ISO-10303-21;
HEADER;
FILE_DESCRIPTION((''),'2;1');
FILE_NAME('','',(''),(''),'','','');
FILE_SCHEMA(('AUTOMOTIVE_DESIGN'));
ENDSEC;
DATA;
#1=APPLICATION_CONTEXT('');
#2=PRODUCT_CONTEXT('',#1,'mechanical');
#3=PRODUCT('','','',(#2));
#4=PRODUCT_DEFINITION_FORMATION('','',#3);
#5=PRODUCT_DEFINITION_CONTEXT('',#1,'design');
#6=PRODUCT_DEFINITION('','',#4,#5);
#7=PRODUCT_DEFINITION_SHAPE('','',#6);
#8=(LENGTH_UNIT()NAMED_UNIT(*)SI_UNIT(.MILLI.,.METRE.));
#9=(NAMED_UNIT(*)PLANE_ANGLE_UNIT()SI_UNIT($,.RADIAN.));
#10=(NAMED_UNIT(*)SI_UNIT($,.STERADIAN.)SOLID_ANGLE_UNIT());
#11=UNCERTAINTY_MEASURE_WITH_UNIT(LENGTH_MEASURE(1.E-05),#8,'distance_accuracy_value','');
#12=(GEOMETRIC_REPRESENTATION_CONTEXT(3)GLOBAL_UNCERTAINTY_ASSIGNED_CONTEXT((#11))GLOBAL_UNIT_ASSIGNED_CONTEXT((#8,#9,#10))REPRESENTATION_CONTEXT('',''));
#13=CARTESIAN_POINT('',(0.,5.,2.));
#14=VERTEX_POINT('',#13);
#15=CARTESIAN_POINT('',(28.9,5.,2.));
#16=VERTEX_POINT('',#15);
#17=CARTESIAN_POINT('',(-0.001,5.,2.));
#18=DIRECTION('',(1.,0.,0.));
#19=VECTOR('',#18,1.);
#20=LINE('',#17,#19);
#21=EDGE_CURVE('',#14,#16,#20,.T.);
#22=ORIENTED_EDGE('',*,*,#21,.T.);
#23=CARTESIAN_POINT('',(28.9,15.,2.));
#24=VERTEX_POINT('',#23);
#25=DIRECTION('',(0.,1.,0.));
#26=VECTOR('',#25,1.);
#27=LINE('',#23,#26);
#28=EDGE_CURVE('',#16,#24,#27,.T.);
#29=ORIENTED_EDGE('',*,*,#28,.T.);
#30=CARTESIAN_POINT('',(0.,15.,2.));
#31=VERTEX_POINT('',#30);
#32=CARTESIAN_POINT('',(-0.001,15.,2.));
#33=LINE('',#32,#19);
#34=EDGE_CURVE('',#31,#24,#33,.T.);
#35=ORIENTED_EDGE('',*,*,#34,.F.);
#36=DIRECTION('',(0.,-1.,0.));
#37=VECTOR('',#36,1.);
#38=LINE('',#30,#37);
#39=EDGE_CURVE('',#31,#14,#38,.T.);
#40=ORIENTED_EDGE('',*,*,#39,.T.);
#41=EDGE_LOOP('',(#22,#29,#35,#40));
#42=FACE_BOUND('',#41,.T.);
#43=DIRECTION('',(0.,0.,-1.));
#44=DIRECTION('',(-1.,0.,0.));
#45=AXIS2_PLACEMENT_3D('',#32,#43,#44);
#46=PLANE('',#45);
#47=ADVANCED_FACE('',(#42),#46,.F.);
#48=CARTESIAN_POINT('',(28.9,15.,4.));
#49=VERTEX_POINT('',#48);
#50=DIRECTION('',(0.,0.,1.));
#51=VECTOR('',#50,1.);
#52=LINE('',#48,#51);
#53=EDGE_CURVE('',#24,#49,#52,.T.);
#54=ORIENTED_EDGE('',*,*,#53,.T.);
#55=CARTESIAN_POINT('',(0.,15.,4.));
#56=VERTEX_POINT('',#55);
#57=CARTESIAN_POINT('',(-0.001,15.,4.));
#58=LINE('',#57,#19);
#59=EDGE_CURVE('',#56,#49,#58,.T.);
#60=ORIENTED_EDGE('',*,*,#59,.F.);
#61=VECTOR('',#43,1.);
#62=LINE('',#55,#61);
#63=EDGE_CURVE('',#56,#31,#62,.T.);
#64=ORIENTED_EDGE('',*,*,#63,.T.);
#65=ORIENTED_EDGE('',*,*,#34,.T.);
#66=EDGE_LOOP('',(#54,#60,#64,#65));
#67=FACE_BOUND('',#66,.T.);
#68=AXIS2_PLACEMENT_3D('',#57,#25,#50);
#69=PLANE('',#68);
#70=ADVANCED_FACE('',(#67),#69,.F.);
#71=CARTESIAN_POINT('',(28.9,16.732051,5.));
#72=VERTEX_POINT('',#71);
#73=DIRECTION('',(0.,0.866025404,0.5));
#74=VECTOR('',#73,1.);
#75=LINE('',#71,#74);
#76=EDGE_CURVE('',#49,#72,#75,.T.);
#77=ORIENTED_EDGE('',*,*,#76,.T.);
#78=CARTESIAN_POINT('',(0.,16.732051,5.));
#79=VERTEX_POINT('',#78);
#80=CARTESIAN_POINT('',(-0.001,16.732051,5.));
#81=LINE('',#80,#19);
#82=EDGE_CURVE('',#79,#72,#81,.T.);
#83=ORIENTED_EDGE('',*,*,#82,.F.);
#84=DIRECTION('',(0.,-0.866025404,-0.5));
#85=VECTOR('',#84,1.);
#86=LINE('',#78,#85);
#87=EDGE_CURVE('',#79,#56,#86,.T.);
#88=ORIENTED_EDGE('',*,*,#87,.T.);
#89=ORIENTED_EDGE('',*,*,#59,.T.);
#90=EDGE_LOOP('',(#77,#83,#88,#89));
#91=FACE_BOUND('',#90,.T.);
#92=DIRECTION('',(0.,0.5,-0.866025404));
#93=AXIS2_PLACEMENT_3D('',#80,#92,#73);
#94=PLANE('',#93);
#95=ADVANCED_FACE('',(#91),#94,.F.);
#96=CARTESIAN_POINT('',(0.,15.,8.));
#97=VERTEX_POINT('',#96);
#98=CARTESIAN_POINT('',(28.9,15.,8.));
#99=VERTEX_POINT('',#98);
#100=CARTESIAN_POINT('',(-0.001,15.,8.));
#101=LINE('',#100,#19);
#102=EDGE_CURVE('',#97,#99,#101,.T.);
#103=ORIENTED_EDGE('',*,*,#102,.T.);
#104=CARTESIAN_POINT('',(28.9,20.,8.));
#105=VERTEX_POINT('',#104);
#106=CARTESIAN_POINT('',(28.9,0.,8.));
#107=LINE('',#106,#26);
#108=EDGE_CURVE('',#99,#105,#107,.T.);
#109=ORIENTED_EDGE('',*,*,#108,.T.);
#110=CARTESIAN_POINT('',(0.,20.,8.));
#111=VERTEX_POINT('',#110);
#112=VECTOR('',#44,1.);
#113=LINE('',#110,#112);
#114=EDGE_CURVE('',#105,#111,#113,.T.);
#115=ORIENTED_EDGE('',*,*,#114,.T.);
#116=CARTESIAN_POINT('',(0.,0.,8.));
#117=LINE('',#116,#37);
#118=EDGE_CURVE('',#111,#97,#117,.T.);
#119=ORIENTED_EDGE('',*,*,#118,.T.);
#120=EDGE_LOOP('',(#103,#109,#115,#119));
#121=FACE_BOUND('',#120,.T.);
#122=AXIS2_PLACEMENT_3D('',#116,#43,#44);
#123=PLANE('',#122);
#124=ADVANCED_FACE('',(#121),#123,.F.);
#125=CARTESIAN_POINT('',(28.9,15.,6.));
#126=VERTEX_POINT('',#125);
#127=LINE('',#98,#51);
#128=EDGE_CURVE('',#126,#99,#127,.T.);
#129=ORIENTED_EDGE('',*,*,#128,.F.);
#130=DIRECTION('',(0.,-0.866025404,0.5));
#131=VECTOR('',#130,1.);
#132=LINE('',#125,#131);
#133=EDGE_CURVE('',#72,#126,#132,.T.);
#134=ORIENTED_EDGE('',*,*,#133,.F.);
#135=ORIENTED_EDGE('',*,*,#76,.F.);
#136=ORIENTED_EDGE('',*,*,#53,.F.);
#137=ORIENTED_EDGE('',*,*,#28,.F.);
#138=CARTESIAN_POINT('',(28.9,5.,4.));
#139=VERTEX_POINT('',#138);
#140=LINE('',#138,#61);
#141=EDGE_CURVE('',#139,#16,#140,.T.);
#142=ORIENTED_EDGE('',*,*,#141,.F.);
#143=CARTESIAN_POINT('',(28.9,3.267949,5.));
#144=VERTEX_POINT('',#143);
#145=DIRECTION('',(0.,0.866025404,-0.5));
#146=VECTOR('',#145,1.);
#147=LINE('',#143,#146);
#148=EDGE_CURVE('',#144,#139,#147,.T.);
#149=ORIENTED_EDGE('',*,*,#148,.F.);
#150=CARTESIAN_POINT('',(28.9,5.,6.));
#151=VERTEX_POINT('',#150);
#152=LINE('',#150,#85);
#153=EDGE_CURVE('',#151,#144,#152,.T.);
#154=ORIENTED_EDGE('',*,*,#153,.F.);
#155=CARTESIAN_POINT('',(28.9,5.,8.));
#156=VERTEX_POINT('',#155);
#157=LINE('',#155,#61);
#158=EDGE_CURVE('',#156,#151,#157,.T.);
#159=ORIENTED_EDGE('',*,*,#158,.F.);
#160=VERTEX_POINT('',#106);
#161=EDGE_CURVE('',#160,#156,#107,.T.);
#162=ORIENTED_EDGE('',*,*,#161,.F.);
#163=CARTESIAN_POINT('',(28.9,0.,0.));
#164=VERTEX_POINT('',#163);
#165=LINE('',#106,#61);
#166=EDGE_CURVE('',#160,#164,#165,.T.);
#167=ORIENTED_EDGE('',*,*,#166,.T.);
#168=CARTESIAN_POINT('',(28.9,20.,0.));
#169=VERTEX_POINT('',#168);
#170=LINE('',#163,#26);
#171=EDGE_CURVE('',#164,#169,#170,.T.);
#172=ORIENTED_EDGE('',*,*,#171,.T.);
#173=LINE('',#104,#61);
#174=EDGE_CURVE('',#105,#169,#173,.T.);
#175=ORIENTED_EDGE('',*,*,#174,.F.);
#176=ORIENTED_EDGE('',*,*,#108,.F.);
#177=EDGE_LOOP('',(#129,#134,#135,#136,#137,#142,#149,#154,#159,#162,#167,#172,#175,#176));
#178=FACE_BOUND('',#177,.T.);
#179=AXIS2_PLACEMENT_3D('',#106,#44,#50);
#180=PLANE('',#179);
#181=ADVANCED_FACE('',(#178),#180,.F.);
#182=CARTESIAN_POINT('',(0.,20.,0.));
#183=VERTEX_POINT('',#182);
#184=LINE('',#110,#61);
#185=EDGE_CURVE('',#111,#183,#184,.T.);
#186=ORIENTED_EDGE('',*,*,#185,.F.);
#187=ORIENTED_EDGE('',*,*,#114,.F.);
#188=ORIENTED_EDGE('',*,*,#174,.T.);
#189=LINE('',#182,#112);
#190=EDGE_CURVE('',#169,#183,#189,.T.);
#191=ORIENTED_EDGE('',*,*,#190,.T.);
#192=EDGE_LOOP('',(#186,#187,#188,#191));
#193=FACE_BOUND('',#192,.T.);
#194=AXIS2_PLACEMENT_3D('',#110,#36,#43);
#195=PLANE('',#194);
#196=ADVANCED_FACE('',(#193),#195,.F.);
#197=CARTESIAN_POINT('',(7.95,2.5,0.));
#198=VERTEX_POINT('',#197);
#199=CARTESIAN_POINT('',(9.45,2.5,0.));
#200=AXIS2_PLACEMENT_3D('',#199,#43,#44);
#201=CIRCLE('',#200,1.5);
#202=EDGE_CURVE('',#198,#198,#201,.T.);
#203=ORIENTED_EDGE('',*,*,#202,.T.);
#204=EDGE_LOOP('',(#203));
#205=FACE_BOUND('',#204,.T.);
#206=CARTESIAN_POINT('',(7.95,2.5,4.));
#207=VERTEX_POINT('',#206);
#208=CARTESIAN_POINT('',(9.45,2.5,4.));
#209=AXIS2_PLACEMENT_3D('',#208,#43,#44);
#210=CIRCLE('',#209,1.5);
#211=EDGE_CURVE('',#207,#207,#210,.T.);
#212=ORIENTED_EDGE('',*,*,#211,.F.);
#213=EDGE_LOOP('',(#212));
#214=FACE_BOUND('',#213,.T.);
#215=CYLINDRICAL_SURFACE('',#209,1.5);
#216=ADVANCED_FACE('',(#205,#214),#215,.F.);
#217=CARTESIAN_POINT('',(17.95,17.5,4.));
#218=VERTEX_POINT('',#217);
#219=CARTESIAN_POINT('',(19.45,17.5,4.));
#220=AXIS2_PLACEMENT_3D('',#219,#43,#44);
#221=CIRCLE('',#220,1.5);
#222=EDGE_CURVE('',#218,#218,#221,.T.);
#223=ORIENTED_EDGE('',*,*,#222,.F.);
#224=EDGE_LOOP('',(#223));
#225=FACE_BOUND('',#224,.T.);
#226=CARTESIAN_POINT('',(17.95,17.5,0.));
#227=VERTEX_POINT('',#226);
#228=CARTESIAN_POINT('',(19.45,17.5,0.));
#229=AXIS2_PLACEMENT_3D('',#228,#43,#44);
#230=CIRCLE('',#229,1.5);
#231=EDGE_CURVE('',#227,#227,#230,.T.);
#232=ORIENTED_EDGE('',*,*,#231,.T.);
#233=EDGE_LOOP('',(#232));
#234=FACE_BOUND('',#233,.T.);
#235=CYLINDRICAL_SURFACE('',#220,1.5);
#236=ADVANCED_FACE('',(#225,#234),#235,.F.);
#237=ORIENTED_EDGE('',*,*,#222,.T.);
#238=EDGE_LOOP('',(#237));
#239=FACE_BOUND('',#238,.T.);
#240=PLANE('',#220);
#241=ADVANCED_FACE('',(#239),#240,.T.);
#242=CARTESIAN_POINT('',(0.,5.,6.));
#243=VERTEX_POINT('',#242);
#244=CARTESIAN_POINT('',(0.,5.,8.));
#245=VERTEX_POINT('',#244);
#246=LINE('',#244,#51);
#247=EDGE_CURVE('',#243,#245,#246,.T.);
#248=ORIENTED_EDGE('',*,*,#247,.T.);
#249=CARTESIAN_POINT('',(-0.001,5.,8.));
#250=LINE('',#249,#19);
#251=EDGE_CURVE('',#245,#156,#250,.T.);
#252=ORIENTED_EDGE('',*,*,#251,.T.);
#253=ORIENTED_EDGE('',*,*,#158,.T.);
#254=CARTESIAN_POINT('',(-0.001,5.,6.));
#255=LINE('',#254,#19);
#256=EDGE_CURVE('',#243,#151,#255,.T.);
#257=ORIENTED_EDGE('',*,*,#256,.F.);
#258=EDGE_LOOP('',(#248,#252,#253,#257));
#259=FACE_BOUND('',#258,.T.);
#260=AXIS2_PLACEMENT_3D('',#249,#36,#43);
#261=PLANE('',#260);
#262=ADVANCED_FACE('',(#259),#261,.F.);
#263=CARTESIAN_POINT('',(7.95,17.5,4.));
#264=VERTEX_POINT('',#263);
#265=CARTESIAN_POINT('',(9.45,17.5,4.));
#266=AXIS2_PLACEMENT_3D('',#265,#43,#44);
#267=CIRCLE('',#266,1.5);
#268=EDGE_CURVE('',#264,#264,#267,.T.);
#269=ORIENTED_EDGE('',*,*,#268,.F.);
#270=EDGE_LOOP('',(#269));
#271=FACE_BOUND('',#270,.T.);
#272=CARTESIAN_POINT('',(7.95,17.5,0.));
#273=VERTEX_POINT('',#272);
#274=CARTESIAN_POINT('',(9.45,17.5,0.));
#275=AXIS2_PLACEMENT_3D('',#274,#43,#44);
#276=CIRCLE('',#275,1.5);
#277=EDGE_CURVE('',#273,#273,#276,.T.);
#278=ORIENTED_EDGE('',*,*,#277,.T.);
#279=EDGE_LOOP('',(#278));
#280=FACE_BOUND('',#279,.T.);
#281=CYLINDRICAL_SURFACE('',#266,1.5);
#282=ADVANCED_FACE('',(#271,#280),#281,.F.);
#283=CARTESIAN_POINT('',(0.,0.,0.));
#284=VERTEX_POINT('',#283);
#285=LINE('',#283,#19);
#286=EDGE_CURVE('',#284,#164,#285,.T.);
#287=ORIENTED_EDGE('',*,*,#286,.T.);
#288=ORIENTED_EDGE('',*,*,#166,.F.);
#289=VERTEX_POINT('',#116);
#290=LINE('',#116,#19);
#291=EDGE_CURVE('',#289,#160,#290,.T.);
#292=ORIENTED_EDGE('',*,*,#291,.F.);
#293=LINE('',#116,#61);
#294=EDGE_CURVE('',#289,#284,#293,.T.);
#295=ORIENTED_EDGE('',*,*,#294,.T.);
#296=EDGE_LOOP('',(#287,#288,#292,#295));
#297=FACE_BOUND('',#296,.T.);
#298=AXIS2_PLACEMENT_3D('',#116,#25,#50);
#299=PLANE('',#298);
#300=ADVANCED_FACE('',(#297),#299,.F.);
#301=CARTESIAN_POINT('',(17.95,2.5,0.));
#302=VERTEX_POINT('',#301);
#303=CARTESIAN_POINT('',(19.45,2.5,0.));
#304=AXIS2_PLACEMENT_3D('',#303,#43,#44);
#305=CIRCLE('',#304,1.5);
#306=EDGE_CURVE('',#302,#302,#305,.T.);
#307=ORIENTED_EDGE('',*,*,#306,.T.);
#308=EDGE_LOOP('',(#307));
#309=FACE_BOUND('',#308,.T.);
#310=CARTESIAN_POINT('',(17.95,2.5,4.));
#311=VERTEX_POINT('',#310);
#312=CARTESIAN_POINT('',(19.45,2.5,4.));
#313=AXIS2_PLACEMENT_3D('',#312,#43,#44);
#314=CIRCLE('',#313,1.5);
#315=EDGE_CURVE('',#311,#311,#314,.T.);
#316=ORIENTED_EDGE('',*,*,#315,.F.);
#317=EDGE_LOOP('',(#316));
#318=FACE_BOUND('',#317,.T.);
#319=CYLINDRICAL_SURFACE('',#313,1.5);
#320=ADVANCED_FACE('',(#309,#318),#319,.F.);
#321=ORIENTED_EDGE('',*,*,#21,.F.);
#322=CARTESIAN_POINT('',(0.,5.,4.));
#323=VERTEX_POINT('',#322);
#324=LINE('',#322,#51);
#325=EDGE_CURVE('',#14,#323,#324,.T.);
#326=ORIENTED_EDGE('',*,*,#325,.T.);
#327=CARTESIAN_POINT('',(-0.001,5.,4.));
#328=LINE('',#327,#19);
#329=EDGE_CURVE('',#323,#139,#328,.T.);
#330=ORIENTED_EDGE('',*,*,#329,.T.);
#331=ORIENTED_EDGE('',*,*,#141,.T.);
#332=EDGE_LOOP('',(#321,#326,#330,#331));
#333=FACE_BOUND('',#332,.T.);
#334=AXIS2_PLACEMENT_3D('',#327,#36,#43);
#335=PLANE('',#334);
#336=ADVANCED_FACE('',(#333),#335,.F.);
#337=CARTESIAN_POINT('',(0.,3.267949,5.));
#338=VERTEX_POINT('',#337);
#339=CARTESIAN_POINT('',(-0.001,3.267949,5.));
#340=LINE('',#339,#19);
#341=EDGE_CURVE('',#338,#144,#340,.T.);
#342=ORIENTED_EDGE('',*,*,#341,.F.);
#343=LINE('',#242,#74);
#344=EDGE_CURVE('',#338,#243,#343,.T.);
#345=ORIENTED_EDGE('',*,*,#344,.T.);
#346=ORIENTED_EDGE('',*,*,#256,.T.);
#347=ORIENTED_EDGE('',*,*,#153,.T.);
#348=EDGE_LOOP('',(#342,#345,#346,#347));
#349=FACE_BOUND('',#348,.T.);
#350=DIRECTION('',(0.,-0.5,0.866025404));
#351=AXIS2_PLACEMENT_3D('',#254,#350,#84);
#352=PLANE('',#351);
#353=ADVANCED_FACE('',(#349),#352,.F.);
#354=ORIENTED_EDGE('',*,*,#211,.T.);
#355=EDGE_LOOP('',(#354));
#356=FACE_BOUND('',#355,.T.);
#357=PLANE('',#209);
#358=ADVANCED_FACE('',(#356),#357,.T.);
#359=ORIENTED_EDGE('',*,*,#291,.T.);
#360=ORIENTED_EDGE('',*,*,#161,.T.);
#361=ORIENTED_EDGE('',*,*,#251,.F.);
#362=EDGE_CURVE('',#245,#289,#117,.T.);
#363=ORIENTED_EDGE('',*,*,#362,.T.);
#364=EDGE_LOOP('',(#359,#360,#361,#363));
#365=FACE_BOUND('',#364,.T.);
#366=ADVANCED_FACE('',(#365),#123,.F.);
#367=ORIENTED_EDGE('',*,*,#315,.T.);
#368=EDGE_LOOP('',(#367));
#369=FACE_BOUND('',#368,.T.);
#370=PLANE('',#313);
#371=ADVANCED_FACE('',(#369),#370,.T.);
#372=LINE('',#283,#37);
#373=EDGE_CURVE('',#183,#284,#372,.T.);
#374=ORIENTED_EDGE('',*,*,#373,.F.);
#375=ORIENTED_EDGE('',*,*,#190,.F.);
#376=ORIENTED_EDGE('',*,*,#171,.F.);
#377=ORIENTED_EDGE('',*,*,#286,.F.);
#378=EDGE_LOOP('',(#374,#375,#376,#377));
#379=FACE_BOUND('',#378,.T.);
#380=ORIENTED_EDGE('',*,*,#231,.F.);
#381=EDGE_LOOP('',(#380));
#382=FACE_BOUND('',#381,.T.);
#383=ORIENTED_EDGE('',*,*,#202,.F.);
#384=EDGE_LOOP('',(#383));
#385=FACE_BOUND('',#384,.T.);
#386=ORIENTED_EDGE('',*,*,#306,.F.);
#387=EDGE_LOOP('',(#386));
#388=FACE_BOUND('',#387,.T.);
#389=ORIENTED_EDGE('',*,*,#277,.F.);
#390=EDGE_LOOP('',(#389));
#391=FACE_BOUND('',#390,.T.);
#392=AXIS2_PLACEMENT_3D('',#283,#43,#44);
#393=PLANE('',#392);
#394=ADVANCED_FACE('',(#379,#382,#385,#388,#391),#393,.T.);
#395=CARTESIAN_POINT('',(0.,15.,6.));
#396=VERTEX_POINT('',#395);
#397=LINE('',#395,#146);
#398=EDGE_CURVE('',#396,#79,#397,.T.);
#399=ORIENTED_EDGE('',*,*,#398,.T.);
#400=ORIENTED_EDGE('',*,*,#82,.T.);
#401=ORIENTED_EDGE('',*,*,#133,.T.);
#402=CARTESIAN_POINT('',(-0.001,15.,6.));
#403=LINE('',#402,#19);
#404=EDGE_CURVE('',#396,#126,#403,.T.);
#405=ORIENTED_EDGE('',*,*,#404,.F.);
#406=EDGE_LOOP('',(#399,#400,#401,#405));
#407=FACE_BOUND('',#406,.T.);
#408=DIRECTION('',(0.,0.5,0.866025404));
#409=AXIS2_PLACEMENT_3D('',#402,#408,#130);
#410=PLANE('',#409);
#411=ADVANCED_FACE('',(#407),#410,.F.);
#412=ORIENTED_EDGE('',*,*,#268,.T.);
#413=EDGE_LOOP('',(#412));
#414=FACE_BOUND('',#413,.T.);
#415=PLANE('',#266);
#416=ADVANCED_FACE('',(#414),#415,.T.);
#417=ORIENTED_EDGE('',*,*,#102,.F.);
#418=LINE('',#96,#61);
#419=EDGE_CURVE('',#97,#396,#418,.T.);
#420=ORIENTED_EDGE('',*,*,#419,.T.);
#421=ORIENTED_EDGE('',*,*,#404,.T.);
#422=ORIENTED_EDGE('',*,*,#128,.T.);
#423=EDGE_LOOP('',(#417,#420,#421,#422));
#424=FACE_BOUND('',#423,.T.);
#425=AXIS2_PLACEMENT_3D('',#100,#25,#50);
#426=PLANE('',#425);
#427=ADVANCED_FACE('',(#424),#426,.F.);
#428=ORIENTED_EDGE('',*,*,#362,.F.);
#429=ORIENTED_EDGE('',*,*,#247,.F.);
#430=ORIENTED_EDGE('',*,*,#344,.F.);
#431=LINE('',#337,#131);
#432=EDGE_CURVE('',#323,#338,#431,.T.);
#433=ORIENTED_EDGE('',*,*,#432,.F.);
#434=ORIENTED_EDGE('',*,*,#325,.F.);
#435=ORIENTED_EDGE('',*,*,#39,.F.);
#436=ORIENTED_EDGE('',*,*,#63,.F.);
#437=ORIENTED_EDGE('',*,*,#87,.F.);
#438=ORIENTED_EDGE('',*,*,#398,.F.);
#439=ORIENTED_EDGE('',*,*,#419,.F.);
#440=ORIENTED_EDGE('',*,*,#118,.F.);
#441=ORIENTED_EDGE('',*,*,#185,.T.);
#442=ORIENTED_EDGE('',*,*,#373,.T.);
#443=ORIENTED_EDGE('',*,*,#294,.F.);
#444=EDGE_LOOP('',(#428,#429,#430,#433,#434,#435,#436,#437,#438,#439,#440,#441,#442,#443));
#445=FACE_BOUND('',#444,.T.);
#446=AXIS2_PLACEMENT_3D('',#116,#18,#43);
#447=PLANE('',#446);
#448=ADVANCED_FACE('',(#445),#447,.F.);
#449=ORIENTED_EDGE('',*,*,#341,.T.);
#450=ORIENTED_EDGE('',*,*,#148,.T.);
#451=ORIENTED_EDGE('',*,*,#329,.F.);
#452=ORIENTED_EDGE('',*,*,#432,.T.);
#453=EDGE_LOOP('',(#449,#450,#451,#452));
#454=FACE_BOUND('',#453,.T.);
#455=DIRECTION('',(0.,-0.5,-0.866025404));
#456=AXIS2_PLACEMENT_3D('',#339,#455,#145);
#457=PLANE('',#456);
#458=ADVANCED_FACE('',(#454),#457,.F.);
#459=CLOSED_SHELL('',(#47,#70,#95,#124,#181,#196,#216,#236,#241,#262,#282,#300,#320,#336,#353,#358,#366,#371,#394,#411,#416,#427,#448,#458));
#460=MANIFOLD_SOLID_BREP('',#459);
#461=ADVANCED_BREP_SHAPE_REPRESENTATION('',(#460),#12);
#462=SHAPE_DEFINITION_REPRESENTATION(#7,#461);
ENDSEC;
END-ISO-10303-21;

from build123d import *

# Parameters (mm, degrees)
SKETCH_1_W          = 28.9
SKETCH_1_H          = 20
EXTRUDE_1_DEPTH     = 8
CUT_EXTRUDE_9_REACH = 38.045
SKETCH_2_R          = 1.5
CUT_EXTRUDE_1_DEPTH = 4


with BuildPart() as part:
    # 草图1 → 凸台-拉伸1 (new body)
    with BuildSketch(Plane.XY):
        with Locations((14.45, 10)):
            Rectangle(SKETCH_1_W, SKETCH_1_H)
    extrude(amount=EXTRUDE_1_DEPTH)

    # 草图3 → 切除-拉伸9 (cut, up to next)
    with BuildSketch(Plane(origin=(28.9, 0, 0), x_dir=(0, 0, -1), z_dir=(1, 0, 0)), mode=Mode.PRIVATE) as cut_extrude_9_sk1:
        Polygon((-8, 15), (-6, 15), (-5, 16.732050808), (-4, 15), (-2, 15), (-2, 5), (-4, 5), (-5, 3.267949192), (-6, 5), (-8, 5), align=None)
    cut_extrude_9_tool1 = extrude(cut_extrude_9_sk1.sketch, amount=-CUT_EXTRUDE_9_REACH, mode=Mode.PRIVATE) & part.part
    add(cut_extrude_9_tool1.solids().sort_by_distance((28.9, 10, 5))[0], mode=Mode.SUBTRACT)

    # 草图2 → 切除-拉伸1 (cut)
    with BuildSketch(Plane(origin=(0, 0, 0), x_dir=(-1, 0, 0), z_dir=(0, 0, -1))):
        with Locations((-19.45, 17.5)):
            Circle(SKETCH_2_R)
        with Locations((-9.45, 17.5)):
            Circle(SKETCH_2_R)
        with Locations((-19.45, 2.5)):
            Circle(SKETCH_2_R)
        with Locations((-9.45, 2.5)):
            Circle(SKETCH_2_R)
    extrude(amount=-CUT_EXTRUDE_1_DEPTH, mode=Mode.SUBTRACT)


solid = part.part
